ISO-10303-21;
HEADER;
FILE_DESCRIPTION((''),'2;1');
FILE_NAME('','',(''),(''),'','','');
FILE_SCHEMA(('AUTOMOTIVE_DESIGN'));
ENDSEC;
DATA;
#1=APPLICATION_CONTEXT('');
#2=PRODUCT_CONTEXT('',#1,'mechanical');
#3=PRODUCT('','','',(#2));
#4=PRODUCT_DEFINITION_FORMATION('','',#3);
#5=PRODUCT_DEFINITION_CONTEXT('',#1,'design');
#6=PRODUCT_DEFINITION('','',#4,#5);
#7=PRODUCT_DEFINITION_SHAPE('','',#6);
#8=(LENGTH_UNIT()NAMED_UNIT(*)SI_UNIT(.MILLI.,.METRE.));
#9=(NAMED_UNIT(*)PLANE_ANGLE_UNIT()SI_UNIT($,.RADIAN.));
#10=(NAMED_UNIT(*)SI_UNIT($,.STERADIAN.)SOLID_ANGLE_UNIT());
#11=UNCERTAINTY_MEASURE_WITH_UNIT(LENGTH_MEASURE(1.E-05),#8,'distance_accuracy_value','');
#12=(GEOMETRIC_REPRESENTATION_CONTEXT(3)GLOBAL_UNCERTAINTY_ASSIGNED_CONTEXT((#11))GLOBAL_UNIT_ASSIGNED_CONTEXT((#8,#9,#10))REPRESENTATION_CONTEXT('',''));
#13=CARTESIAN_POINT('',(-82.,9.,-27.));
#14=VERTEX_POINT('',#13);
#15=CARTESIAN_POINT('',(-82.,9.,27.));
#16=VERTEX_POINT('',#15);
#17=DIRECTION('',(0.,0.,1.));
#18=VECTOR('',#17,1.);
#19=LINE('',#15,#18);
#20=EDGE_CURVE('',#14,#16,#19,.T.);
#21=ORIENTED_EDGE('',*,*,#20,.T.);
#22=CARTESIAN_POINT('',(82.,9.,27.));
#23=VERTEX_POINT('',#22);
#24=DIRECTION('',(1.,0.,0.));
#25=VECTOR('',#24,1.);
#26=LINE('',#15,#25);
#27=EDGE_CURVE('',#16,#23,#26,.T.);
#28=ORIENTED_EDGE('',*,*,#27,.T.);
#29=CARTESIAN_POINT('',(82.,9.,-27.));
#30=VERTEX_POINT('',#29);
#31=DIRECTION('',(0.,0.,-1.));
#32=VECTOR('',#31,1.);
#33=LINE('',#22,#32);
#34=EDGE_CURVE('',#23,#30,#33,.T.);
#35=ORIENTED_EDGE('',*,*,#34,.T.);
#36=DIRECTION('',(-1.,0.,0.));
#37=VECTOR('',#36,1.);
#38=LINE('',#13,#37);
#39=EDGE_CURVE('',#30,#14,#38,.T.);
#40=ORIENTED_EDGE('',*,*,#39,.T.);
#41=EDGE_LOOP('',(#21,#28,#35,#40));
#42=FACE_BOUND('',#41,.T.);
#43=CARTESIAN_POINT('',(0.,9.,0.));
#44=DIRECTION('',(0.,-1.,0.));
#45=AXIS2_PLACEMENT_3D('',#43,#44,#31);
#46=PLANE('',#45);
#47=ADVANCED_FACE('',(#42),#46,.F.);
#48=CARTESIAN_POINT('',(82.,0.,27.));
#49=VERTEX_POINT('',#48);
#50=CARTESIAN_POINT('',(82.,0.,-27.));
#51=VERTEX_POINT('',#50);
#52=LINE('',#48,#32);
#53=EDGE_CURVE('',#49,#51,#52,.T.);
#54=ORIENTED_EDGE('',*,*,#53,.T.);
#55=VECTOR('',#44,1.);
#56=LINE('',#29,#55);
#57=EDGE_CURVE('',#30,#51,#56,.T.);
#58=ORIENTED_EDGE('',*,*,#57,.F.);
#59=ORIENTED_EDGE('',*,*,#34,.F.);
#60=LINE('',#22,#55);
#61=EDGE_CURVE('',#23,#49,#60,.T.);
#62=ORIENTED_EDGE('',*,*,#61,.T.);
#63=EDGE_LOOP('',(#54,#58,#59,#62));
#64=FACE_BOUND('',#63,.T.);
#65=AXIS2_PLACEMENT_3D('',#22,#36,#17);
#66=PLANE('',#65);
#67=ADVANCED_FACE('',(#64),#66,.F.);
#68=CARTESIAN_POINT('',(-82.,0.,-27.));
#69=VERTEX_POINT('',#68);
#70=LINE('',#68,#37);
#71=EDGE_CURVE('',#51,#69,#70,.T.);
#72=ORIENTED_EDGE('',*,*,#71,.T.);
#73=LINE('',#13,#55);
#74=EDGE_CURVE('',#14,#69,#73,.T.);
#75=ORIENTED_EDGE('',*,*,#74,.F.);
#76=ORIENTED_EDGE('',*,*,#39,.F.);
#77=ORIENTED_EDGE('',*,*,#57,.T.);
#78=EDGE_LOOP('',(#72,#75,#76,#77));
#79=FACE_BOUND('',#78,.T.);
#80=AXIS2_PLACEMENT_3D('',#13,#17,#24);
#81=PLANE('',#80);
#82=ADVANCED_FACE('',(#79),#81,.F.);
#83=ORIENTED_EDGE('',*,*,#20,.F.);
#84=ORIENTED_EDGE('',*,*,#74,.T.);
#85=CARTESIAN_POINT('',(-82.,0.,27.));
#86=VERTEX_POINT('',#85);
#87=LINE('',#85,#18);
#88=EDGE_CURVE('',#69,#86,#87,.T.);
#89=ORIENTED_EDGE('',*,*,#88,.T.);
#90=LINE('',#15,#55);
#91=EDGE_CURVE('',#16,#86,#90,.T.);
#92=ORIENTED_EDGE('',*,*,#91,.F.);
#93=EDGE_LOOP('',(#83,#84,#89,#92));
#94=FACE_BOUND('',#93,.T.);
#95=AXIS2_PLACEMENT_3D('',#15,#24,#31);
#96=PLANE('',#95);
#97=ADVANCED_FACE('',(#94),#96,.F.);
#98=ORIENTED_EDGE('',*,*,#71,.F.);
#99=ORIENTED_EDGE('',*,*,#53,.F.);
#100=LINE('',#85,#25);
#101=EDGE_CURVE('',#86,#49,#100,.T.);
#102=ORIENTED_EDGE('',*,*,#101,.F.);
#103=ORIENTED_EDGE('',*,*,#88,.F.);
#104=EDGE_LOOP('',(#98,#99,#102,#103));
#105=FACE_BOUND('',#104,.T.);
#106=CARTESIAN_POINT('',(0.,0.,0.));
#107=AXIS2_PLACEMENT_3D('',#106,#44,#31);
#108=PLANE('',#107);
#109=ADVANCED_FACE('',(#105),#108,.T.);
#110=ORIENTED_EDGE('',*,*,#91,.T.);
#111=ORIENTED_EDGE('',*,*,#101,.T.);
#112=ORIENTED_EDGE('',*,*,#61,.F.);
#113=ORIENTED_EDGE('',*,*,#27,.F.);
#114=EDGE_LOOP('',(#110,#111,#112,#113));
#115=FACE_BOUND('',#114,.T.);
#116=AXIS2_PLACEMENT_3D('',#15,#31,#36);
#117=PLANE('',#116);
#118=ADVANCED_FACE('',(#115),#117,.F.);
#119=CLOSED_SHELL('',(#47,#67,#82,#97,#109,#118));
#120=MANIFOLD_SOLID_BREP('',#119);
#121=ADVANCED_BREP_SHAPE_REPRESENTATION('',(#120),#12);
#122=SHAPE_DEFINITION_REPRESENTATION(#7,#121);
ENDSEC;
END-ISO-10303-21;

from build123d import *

# Parameters (mm, degrees)
SKICA1_W                = 164
SKICA1_H                = 54
P_IDAT_VYSUNUT_M1_DEPTH = 9


with BuildPart() as part:
    # Skica1 → Přidat vysunutím1 (new body)
    with BuildSketch(Plane(origin=(0, 0, 0), x_dir=(1, 0, 0), z_dir=(0, 1, 0))):
        Rectangle(SKICA1_W, SKICA1_H)
    extrude(amount=P_IDAT_VYSUNUT_M1_DEPTH)


solid = part.part
